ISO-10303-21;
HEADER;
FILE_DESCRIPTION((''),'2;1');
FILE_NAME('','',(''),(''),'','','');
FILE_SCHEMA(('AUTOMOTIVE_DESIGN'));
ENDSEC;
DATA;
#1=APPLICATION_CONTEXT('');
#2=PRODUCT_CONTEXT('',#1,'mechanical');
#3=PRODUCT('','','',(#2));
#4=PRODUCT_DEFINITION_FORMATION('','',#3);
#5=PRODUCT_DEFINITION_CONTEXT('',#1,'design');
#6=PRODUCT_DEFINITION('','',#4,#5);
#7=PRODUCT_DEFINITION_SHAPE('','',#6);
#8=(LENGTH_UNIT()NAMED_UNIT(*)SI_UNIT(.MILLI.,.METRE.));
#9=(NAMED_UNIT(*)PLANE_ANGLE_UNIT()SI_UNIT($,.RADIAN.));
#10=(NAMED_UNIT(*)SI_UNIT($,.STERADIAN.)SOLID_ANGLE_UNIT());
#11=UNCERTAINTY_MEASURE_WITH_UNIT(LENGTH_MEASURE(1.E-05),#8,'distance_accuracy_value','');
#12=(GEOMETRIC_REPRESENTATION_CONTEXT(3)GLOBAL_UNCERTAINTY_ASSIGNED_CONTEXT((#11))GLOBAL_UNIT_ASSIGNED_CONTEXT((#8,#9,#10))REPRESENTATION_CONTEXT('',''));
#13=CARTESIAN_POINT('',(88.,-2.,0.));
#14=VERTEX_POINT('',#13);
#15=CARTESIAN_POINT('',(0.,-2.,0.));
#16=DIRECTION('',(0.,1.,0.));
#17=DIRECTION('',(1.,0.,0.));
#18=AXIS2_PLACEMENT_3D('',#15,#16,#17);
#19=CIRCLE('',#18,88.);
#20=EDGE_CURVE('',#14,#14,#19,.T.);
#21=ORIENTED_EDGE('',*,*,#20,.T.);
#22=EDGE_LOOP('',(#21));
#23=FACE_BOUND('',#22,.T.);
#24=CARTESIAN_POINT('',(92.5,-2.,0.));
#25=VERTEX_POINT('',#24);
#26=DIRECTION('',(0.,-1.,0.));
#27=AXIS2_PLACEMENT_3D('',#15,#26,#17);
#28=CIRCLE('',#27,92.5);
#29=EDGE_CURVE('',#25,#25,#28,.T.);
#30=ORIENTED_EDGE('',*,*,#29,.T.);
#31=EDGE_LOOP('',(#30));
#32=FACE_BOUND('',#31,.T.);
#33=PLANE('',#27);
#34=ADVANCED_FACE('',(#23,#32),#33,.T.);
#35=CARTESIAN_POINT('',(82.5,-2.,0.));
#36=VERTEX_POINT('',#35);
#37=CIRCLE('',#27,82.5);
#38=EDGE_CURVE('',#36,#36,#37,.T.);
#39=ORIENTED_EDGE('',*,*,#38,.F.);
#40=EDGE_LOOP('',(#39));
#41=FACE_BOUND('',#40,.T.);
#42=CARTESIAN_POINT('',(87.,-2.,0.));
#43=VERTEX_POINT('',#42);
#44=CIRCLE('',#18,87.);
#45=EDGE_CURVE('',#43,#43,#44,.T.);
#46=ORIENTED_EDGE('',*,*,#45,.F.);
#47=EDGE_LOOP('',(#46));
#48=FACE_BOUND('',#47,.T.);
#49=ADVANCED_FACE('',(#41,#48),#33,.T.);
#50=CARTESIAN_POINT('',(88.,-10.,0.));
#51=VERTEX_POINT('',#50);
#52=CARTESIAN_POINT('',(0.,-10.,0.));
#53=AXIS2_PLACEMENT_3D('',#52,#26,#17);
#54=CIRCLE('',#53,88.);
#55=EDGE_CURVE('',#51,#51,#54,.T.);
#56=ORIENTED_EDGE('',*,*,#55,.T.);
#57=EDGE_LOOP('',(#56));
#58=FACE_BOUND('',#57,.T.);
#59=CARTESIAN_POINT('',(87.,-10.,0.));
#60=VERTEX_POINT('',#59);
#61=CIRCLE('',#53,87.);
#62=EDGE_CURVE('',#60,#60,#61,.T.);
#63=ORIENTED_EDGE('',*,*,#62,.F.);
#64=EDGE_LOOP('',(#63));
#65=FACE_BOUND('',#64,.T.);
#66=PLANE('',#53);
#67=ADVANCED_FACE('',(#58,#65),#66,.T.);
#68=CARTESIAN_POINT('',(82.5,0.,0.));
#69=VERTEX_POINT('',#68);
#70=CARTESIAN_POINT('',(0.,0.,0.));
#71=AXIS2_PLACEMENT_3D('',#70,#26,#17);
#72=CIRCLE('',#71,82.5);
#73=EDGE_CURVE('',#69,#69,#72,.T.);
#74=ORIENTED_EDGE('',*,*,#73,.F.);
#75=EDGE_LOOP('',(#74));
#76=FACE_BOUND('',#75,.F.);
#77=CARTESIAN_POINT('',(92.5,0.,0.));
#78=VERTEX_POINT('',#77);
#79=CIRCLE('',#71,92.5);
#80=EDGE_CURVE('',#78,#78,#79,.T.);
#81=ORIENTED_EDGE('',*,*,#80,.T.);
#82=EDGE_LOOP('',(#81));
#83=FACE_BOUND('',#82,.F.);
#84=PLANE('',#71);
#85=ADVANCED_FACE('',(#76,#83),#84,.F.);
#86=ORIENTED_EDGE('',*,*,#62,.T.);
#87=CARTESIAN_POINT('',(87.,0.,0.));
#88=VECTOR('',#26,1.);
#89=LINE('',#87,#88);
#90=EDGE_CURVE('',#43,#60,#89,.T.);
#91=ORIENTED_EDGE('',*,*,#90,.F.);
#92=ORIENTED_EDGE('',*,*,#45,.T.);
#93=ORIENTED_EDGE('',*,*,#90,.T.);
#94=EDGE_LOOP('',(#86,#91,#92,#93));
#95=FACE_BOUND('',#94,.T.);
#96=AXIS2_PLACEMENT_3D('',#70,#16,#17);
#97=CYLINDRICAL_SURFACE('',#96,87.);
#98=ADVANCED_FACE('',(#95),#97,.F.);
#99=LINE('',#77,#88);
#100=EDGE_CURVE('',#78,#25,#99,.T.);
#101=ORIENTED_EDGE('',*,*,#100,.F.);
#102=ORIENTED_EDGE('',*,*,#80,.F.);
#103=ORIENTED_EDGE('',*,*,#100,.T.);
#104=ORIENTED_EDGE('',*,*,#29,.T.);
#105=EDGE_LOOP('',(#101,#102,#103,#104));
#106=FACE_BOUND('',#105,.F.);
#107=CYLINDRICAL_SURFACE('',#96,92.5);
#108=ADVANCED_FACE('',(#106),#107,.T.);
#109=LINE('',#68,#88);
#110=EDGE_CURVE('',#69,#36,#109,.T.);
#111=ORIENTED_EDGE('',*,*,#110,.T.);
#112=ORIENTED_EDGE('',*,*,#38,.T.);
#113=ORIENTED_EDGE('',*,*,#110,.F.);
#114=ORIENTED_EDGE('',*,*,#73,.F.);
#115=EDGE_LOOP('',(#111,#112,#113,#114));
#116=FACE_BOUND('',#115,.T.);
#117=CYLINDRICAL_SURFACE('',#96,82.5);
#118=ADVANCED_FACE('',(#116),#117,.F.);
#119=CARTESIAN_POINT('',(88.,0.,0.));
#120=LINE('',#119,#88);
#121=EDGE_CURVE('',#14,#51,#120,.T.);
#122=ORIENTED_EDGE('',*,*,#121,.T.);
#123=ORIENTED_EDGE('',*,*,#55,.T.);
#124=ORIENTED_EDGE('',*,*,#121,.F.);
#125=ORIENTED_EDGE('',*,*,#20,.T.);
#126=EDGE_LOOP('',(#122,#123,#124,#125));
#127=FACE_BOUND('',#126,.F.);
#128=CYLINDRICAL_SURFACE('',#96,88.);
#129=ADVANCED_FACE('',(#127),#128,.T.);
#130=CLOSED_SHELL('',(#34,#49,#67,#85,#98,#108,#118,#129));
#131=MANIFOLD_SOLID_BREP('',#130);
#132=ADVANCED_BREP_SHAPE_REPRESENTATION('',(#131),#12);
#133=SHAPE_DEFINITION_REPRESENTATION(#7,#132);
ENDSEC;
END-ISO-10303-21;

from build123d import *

# Parameters (mm, degrees)
F0_R     = 92.5
F0_R_2   = 82.5
F1_DEPTH = 2
F2_R     = 88
F2_R_2   = 87
F3_DEPTH = 10


with BuildPart() as f1:
    # F0 (on Front) → F1 (new body)
    with BuildSketch(Plane.XZ):
        Circle(F0_R)
        Circle(F0_R_2, mode=Mode.SUBTRACT)
    extrude(amount=F1_DEPTH)

    # F2 (on Front) → F3 (join)
    with BuildSketch(Plane.XZ):
        Circle(F2_R)
        Circle(F2_R_2, mode=Mode.SUBTRACT)
    extrude(amount=F3_DEPTH)


solid = f1.part
